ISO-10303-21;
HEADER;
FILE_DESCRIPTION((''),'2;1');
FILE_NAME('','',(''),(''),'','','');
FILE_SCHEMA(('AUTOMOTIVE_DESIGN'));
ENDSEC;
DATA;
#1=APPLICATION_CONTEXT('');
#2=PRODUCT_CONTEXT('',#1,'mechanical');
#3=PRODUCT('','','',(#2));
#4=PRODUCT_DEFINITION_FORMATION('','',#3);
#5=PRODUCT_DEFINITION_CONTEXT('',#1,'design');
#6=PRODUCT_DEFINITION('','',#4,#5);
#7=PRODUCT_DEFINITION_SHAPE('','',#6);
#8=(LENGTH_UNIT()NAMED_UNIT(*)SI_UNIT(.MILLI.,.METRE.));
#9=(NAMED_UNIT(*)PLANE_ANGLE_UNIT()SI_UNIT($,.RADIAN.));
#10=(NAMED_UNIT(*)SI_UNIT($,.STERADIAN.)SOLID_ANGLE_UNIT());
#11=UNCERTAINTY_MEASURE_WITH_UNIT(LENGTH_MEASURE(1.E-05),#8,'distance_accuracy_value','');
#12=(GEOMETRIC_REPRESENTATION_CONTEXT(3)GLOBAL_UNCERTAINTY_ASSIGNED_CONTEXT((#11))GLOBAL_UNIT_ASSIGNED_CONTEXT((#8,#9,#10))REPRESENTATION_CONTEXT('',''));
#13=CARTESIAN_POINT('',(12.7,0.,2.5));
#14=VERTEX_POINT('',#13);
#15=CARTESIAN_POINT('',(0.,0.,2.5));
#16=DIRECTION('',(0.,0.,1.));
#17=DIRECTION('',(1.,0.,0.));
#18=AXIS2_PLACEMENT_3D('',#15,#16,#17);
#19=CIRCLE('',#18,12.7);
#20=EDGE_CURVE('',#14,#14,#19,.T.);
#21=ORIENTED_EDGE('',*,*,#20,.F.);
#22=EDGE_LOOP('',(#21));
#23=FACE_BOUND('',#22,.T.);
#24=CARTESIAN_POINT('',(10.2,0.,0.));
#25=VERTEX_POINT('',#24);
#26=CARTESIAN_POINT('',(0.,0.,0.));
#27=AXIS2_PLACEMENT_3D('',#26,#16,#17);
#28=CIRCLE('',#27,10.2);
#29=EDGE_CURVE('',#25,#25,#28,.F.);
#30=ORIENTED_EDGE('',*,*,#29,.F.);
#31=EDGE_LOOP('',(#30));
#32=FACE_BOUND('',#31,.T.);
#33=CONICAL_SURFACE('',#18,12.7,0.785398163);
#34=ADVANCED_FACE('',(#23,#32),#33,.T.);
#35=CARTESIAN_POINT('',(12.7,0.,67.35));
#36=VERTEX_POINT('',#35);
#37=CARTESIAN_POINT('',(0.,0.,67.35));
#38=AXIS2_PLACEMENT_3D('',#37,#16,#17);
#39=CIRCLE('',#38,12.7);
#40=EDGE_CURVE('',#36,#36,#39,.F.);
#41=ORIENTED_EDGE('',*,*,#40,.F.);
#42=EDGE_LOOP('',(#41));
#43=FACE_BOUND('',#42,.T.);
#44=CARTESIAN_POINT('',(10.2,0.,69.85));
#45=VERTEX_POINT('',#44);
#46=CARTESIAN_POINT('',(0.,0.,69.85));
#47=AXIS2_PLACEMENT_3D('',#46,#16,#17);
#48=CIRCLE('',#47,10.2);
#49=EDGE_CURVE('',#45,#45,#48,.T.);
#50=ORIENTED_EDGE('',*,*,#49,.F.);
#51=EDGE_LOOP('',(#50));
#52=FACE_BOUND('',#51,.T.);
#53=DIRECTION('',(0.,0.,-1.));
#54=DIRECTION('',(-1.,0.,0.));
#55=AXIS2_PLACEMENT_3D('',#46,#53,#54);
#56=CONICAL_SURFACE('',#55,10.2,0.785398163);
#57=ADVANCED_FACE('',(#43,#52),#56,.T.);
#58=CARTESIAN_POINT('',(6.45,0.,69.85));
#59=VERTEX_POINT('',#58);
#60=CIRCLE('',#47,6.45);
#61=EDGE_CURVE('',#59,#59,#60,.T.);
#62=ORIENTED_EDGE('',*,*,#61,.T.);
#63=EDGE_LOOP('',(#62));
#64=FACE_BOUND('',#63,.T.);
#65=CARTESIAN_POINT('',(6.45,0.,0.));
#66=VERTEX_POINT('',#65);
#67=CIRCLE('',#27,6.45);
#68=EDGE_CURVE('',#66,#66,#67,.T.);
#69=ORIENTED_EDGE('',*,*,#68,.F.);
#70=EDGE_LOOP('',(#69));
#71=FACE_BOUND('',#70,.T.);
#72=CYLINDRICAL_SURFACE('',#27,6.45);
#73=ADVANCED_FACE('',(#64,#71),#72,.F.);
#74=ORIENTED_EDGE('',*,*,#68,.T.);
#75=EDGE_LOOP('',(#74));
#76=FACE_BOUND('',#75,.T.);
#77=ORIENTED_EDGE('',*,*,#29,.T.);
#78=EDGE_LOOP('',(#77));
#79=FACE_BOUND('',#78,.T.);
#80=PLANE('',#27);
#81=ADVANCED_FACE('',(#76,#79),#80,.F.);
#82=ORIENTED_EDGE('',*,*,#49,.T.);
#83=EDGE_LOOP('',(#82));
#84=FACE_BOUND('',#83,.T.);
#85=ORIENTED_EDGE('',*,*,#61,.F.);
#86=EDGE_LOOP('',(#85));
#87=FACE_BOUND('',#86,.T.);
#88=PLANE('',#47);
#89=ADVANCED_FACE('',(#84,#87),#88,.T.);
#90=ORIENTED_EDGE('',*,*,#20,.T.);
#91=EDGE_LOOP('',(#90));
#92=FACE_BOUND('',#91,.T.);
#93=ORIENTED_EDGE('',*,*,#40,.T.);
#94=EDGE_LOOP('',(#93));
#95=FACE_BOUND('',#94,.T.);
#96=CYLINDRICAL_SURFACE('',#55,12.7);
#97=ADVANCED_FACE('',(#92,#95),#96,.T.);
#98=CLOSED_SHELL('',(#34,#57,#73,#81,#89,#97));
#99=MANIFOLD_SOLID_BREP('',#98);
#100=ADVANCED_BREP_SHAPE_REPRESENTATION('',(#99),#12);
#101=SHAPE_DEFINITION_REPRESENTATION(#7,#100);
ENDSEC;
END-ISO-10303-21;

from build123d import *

# Parameters (mm, degrees)
SKETCH2_R           = 12.7
BOSS_EXTRUDE1_DEPTH = 69.85
SKETCH3_R           = 6.45
CUT_EXTRUDE1_DEPTH  = 70.85
CHAMFER1_SIZE       = 2.5


with BuildPart() as part:
    # Sketch2 → Boss-Extrude1 (new body)
    with BuildSketch(Plane.XY):
        Circle(SKETCH2_R)
    extrude(amount=BOSS_EXTRUDE1_DEPTH)

    # Sketch3 → Cut-Extrude1 (cut, through all)
    with BuildSketch(Plane.XY.offset(69.85)):
        Circle(SKETCH3_R)
    extrude(amount=-CUT_EXTRUDE1_DEPTH, mode=Mode.SUBTRACT)

    # Chamfer1
    chamfer1_edges = [part.edges().sort_by_distance(p)[0] for p in [
        (-12.7, 0, 0),
        (-12.7, 0, 69.85),
    ]]
    chamfer(chamfer1_edges, length=CHAMFER1_SIZE)


solid = part.part
